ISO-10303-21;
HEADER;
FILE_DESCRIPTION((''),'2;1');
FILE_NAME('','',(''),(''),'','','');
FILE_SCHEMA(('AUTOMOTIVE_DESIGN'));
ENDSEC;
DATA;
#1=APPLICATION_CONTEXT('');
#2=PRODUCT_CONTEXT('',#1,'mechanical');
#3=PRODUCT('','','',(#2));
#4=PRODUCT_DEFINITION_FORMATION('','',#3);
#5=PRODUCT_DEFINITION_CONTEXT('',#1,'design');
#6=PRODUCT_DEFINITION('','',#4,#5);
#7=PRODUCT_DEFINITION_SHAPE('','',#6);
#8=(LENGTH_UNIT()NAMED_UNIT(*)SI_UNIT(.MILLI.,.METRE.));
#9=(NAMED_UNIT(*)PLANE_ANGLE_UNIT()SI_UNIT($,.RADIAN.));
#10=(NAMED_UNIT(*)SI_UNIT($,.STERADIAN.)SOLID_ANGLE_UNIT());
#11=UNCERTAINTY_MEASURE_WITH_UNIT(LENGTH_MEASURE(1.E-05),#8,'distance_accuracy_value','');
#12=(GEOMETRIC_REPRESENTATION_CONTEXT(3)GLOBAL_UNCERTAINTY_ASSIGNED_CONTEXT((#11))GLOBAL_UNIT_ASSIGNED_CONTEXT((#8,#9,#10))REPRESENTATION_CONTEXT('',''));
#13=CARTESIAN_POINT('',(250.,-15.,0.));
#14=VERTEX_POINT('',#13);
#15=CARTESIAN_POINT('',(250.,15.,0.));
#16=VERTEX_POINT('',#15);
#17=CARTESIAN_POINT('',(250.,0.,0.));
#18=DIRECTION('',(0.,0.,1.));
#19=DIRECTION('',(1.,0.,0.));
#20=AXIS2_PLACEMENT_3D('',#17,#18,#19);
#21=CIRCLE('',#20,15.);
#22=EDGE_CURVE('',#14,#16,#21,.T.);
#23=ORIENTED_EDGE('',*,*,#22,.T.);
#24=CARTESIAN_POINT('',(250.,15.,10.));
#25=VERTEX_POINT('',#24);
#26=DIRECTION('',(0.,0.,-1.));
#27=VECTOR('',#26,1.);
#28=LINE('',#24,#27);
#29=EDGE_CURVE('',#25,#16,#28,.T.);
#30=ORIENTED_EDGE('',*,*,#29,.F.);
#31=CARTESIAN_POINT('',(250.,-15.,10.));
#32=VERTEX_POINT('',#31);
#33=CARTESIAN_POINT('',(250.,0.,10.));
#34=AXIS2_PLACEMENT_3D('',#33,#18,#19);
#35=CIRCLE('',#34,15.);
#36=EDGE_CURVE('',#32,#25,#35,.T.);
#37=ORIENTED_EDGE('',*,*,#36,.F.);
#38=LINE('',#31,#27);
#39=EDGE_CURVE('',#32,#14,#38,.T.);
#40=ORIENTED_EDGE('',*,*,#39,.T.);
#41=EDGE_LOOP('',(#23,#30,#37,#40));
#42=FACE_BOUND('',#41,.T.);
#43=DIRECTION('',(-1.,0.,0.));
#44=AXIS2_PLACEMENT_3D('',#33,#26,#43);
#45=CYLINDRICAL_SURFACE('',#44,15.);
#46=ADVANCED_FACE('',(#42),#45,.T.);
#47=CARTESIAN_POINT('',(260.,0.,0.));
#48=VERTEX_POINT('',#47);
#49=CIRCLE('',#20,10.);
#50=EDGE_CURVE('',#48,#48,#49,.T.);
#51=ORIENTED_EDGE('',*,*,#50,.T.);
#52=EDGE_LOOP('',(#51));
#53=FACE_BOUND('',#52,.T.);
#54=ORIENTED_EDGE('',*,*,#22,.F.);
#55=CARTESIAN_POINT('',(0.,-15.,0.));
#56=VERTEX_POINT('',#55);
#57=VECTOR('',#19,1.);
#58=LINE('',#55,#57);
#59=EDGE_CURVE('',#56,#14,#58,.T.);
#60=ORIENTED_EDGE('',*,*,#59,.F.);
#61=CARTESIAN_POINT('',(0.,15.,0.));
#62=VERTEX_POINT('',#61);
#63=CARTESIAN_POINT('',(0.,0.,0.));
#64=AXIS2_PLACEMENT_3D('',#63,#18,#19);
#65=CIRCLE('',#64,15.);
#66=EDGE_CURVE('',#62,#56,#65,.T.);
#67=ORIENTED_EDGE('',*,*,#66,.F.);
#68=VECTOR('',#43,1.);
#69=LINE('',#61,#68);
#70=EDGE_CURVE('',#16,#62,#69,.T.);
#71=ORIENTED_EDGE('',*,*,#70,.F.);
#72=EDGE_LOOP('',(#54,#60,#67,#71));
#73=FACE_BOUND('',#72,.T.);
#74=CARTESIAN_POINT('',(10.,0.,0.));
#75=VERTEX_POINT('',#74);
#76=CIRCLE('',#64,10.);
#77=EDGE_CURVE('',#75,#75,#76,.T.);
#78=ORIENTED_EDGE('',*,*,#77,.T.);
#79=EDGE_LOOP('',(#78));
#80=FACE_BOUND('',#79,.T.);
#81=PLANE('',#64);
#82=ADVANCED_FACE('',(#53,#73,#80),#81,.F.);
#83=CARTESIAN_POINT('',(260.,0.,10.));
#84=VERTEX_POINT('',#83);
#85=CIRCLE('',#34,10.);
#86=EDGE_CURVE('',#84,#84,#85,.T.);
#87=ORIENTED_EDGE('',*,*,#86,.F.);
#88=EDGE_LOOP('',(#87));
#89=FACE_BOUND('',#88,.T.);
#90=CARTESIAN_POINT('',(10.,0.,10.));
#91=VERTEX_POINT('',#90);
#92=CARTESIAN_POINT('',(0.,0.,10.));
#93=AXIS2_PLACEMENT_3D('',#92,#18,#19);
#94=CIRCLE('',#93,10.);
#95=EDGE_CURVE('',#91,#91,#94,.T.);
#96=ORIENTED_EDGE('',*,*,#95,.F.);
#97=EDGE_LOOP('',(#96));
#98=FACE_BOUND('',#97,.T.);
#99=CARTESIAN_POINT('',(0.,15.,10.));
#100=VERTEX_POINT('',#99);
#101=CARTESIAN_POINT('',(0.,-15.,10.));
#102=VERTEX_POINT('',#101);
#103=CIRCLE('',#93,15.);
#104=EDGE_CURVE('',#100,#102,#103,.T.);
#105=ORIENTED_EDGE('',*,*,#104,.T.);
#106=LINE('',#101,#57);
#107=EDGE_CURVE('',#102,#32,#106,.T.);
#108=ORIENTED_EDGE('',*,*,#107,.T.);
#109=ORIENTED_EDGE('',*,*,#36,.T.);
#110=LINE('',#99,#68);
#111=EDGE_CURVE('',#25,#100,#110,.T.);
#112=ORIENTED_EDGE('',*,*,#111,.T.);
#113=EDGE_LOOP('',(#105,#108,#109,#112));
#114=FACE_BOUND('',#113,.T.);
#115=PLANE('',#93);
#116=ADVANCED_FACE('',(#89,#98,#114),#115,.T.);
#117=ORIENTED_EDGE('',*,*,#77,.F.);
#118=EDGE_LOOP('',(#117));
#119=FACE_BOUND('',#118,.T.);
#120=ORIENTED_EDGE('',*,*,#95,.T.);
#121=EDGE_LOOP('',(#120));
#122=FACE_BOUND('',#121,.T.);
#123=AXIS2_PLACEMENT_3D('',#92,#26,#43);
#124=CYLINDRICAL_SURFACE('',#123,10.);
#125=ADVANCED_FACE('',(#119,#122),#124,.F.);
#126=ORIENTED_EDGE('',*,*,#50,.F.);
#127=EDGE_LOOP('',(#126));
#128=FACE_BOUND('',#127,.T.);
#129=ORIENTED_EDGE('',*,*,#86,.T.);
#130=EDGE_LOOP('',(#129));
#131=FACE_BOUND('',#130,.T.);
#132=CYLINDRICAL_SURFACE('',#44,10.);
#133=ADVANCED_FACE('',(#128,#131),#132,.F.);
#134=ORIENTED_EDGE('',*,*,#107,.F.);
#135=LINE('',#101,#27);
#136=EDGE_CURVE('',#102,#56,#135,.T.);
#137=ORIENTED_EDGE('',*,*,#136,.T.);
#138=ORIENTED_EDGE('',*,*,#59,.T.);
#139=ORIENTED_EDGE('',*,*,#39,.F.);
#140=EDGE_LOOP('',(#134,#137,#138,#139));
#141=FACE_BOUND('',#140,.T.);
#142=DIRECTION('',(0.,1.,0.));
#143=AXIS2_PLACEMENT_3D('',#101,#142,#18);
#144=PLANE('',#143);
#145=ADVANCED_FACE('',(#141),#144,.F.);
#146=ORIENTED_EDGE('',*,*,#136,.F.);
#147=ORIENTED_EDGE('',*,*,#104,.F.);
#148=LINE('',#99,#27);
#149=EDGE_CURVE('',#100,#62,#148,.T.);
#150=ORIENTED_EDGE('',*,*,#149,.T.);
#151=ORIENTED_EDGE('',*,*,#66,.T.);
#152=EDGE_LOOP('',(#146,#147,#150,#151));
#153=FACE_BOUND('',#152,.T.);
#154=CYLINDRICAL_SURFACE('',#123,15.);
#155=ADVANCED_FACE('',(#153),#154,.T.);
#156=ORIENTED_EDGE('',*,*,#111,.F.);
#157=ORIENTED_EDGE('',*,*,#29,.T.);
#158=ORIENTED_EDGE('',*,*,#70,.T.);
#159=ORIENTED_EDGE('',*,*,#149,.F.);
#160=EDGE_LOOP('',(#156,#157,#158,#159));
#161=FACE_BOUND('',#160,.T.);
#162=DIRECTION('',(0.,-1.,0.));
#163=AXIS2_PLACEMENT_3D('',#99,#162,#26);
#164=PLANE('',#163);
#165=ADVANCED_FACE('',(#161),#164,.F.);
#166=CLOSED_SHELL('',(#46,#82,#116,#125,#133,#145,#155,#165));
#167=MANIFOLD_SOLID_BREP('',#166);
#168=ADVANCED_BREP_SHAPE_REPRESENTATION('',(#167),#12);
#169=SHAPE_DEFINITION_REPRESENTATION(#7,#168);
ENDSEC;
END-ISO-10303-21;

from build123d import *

# Parameters (mm, degrees)
SKETCH_1_R      = 10
EXTRUDE_1_DEPTH = 10


with BuildPart() as part:
    # Эскиз1 → Бобышка-Вытянуть1 (new body)
    with BuildSketch(Plane.XY):
        with BuildLine():
            Line((0, 15), (250, 15))
            ThreePointArc((250, 15), (265, 0), (250, -15))
            Line((250, -15), (0, -15))
            ThreePointArc((0, -15), (-15, 0), (0, 15))
        make_face()
        Circle(SKETCH_1_R, mode=Mode.SUBTRACT)
        with Locations((250, 0)):
            Circle(SKETCH_1_R, mode=Mode.SUBTRACT)
    extrude(amount=EXTRUDE_1_DEPTH)


solid = part.part
